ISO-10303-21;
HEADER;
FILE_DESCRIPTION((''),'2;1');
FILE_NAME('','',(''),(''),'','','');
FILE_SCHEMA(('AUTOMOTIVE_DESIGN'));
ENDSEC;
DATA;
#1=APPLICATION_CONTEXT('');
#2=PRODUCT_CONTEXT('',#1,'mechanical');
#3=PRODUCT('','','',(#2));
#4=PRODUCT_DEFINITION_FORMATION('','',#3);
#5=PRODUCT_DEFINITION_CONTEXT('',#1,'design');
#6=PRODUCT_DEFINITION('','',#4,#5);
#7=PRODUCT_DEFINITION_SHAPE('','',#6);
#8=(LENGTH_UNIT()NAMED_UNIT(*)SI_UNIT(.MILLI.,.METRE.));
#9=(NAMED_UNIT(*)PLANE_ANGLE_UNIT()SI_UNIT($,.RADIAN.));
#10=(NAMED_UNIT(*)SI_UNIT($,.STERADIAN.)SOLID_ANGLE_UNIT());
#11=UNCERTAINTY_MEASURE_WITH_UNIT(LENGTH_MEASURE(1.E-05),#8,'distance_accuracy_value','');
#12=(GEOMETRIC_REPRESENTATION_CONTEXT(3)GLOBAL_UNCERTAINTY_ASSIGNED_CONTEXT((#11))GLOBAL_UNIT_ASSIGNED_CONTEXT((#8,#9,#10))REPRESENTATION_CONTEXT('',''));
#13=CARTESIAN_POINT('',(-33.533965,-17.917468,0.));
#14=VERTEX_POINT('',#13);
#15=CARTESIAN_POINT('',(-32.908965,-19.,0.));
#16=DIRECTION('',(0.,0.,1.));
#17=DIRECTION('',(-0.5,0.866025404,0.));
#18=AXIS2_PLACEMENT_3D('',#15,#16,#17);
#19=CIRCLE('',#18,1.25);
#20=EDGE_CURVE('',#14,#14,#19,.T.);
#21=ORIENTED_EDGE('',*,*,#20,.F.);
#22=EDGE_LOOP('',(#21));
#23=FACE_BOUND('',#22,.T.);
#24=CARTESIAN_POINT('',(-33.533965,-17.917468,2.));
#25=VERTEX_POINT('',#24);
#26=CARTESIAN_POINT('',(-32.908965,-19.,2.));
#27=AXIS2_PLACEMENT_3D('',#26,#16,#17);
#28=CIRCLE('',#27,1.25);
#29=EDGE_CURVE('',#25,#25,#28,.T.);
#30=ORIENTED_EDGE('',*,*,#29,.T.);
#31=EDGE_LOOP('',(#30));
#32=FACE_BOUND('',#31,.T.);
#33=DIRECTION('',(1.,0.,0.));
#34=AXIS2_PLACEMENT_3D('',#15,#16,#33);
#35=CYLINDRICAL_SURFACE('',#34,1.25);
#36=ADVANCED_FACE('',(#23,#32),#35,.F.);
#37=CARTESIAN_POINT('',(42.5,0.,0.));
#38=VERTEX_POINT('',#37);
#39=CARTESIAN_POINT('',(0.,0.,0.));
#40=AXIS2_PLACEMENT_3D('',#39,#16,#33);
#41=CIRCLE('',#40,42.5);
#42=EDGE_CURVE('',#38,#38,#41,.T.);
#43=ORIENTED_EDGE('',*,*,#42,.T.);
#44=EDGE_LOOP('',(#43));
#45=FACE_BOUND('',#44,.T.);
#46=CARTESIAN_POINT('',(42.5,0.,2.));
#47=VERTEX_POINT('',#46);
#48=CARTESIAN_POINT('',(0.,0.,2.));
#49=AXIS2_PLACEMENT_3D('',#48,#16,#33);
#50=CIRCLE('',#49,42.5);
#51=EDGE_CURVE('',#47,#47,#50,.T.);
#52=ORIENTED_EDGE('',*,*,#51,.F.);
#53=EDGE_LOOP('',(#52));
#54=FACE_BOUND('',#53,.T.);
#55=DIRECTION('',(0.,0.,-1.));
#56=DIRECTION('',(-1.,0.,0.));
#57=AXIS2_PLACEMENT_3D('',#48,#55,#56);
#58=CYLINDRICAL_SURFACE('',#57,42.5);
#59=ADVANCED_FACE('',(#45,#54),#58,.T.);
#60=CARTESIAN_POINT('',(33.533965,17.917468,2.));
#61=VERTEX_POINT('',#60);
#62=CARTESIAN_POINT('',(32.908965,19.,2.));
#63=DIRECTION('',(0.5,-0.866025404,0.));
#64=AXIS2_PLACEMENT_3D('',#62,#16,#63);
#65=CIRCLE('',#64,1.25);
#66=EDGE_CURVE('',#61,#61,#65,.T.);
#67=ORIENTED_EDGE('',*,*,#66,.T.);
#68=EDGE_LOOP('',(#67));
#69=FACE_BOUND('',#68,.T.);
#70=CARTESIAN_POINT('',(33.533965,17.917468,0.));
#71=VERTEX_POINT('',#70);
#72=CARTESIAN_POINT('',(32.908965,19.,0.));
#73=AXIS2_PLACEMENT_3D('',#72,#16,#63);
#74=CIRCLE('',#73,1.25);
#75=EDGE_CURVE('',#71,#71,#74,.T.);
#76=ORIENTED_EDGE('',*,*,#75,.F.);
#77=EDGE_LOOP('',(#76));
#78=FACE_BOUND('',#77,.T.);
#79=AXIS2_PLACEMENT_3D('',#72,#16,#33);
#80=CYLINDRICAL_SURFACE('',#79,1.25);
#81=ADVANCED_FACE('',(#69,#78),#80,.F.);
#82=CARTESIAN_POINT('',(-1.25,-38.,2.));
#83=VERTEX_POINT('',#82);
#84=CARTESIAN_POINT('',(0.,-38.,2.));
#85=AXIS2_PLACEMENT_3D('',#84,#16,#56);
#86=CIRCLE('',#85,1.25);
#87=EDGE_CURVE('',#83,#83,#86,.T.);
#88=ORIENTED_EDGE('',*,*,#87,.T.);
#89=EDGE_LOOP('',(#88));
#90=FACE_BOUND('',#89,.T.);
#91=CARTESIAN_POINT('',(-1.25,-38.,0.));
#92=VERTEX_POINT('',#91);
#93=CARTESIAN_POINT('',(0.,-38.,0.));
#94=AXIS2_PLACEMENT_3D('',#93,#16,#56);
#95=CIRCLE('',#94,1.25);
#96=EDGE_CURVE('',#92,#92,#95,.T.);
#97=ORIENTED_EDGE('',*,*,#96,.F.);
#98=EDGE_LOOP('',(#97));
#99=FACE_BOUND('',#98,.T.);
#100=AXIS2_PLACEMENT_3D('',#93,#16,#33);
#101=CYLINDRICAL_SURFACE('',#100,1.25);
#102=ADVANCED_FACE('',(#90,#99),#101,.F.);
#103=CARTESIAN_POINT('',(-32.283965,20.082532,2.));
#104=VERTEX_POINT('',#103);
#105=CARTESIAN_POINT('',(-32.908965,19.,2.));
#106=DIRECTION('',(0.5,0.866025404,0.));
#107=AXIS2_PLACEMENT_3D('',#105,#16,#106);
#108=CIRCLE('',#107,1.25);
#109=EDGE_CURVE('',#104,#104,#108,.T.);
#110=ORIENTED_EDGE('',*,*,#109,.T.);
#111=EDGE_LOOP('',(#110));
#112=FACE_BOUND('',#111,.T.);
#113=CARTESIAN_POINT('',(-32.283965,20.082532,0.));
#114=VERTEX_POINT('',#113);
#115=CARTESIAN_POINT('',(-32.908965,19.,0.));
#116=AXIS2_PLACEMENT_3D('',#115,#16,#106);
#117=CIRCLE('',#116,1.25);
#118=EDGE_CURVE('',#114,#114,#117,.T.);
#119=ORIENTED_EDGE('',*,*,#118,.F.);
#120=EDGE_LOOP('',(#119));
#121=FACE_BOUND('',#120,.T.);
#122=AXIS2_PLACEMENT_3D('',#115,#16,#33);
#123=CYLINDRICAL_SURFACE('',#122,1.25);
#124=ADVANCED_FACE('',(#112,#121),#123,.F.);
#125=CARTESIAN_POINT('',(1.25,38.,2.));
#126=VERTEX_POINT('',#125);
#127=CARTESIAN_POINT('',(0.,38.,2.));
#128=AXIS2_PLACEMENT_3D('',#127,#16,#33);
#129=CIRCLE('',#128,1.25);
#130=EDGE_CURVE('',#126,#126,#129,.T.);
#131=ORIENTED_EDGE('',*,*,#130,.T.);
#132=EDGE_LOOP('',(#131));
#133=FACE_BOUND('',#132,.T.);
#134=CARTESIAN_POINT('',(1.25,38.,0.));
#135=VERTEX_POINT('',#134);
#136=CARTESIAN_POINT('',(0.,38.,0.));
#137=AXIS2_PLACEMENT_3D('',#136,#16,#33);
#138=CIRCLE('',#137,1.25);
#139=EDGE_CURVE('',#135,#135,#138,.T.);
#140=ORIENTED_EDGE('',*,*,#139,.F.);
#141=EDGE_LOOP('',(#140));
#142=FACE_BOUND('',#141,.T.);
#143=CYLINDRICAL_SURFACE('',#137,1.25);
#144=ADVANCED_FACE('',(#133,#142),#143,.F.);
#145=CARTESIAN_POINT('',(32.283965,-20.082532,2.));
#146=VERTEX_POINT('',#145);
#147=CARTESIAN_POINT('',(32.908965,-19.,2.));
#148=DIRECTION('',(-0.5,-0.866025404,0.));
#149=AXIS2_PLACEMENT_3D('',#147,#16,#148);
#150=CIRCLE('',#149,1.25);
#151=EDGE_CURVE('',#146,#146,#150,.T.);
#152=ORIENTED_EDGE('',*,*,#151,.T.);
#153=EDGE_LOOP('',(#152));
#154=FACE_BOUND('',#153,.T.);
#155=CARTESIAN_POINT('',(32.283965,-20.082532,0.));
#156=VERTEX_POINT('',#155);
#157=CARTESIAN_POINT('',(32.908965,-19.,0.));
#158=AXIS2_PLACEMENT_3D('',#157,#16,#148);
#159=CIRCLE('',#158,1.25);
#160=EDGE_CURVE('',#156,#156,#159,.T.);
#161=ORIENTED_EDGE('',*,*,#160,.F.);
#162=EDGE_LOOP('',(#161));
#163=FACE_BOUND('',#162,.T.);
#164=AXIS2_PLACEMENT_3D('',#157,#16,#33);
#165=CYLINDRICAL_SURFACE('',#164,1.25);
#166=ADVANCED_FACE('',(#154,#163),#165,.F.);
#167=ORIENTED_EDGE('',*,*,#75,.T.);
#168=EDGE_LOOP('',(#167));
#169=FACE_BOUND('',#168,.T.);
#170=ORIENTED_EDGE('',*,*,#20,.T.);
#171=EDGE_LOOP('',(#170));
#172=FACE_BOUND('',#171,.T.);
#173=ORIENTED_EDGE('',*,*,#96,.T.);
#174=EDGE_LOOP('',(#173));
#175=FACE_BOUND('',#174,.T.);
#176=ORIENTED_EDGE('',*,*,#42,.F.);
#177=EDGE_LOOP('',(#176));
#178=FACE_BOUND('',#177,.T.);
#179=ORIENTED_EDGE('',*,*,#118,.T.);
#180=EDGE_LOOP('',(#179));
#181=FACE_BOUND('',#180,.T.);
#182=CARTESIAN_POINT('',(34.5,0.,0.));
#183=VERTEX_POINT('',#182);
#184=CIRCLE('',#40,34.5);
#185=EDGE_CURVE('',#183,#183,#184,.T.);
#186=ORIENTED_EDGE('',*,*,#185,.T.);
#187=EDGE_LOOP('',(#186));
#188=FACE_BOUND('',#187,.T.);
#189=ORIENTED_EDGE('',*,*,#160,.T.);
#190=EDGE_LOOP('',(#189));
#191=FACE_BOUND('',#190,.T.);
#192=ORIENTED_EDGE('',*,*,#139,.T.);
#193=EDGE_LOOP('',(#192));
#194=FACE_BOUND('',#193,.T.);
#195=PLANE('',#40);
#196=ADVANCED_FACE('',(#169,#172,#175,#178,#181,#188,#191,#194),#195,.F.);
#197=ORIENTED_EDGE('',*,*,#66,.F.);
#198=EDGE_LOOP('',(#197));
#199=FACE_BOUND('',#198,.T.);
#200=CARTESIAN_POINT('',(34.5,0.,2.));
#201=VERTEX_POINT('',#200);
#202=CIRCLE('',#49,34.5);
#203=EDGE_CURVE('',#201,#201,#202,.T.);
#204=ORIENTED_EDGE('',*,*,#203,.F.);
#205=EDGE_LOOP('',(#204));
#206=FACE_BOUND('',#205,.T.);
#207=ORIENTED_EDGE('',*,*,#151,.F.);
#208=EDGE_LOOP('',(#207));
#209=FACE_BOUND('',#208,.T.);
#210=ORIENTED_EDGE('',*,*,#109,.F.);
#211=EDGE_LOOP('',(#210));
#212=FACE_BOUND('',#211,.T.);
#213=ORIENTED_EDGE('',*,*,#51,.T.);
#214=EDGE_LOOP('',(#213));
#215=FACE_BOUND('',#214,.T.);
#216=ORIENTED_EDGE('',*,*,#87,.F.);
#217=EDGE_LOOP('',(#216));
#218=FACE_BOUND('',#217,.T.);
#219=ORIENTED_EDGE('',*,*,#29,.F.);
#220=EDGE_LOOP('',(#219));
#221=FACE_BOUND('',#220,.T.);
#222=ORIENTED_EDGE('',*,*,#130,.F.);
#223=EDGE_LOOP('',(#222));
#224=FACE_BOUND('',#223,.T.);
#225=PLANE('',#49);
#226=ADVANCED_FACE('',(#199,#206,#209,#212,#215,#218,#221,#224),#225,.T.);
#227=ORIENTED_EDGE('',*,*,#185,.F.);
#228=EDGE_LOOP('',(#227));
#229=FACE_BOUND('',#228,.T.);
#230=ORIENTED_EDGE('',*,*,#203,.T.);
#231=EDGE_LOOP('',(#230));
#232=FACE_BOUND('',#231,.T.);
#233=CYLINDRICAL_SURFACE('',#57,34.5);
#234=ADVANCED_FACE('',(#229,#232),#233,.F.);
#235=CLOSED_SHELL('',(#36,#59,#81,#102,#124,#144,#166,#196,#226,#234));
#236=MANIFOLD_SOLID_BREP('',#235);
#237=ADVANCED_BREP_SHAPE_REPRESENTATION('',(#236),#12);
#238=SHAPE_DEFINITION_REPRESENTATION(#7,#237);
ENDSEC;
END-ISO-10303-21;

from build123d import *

# Parameters (mm, degrees)
SKETCH_1_R                 = 42.5
SKETCH_1_R_2               = 34.5
EXTRUDE_336_DEPTH          = 2
SKETCH_3_R                 = 1.25
CUT_EXTRUDE_486_DEPTH      = 61.137342808
PATTERN_CIRCULAR_525_COUNT = 6


with BuildPart() as part:
    # Эскиз1 → Extrude 336 (new body)
    with BuildSketch(Plane.XY):
        Circle(SKETCH_1_R)
        Circle(SKETCH_1_R_2, mode=Mode.SUBTRACT)
    extrude(amount=EXTRUDE_336_DEPTH)

    # Эскиз3 → Cut-Extrude 486 (cut, through all)
    with BuildSketch(Plane.XY.offset(2)):
        with Locations((0, 38)):
            Circle(SKETCH_3_R)
    cut_extrude_486 = extrude(amount=-CUT_EXTRUDE_486_DEPTH, mode=Mode.SUBTRACT)

    # Pattern Circular 525: Cut-Extrude 486 ×6 about axis
    pattern_circular_525_axis = Axis((0, 0, 0), (0, 0, 1))
    for i in range(1, PATTERN_CIRCULAR_525_COUNT):
        add(cut_extrude_486.rotate(pattern_circular_525_axis, i * 360 / PATTERN_CIRCULAR_525_COUNT), mode=Mode.SUBTRACT)


solid = part.part
